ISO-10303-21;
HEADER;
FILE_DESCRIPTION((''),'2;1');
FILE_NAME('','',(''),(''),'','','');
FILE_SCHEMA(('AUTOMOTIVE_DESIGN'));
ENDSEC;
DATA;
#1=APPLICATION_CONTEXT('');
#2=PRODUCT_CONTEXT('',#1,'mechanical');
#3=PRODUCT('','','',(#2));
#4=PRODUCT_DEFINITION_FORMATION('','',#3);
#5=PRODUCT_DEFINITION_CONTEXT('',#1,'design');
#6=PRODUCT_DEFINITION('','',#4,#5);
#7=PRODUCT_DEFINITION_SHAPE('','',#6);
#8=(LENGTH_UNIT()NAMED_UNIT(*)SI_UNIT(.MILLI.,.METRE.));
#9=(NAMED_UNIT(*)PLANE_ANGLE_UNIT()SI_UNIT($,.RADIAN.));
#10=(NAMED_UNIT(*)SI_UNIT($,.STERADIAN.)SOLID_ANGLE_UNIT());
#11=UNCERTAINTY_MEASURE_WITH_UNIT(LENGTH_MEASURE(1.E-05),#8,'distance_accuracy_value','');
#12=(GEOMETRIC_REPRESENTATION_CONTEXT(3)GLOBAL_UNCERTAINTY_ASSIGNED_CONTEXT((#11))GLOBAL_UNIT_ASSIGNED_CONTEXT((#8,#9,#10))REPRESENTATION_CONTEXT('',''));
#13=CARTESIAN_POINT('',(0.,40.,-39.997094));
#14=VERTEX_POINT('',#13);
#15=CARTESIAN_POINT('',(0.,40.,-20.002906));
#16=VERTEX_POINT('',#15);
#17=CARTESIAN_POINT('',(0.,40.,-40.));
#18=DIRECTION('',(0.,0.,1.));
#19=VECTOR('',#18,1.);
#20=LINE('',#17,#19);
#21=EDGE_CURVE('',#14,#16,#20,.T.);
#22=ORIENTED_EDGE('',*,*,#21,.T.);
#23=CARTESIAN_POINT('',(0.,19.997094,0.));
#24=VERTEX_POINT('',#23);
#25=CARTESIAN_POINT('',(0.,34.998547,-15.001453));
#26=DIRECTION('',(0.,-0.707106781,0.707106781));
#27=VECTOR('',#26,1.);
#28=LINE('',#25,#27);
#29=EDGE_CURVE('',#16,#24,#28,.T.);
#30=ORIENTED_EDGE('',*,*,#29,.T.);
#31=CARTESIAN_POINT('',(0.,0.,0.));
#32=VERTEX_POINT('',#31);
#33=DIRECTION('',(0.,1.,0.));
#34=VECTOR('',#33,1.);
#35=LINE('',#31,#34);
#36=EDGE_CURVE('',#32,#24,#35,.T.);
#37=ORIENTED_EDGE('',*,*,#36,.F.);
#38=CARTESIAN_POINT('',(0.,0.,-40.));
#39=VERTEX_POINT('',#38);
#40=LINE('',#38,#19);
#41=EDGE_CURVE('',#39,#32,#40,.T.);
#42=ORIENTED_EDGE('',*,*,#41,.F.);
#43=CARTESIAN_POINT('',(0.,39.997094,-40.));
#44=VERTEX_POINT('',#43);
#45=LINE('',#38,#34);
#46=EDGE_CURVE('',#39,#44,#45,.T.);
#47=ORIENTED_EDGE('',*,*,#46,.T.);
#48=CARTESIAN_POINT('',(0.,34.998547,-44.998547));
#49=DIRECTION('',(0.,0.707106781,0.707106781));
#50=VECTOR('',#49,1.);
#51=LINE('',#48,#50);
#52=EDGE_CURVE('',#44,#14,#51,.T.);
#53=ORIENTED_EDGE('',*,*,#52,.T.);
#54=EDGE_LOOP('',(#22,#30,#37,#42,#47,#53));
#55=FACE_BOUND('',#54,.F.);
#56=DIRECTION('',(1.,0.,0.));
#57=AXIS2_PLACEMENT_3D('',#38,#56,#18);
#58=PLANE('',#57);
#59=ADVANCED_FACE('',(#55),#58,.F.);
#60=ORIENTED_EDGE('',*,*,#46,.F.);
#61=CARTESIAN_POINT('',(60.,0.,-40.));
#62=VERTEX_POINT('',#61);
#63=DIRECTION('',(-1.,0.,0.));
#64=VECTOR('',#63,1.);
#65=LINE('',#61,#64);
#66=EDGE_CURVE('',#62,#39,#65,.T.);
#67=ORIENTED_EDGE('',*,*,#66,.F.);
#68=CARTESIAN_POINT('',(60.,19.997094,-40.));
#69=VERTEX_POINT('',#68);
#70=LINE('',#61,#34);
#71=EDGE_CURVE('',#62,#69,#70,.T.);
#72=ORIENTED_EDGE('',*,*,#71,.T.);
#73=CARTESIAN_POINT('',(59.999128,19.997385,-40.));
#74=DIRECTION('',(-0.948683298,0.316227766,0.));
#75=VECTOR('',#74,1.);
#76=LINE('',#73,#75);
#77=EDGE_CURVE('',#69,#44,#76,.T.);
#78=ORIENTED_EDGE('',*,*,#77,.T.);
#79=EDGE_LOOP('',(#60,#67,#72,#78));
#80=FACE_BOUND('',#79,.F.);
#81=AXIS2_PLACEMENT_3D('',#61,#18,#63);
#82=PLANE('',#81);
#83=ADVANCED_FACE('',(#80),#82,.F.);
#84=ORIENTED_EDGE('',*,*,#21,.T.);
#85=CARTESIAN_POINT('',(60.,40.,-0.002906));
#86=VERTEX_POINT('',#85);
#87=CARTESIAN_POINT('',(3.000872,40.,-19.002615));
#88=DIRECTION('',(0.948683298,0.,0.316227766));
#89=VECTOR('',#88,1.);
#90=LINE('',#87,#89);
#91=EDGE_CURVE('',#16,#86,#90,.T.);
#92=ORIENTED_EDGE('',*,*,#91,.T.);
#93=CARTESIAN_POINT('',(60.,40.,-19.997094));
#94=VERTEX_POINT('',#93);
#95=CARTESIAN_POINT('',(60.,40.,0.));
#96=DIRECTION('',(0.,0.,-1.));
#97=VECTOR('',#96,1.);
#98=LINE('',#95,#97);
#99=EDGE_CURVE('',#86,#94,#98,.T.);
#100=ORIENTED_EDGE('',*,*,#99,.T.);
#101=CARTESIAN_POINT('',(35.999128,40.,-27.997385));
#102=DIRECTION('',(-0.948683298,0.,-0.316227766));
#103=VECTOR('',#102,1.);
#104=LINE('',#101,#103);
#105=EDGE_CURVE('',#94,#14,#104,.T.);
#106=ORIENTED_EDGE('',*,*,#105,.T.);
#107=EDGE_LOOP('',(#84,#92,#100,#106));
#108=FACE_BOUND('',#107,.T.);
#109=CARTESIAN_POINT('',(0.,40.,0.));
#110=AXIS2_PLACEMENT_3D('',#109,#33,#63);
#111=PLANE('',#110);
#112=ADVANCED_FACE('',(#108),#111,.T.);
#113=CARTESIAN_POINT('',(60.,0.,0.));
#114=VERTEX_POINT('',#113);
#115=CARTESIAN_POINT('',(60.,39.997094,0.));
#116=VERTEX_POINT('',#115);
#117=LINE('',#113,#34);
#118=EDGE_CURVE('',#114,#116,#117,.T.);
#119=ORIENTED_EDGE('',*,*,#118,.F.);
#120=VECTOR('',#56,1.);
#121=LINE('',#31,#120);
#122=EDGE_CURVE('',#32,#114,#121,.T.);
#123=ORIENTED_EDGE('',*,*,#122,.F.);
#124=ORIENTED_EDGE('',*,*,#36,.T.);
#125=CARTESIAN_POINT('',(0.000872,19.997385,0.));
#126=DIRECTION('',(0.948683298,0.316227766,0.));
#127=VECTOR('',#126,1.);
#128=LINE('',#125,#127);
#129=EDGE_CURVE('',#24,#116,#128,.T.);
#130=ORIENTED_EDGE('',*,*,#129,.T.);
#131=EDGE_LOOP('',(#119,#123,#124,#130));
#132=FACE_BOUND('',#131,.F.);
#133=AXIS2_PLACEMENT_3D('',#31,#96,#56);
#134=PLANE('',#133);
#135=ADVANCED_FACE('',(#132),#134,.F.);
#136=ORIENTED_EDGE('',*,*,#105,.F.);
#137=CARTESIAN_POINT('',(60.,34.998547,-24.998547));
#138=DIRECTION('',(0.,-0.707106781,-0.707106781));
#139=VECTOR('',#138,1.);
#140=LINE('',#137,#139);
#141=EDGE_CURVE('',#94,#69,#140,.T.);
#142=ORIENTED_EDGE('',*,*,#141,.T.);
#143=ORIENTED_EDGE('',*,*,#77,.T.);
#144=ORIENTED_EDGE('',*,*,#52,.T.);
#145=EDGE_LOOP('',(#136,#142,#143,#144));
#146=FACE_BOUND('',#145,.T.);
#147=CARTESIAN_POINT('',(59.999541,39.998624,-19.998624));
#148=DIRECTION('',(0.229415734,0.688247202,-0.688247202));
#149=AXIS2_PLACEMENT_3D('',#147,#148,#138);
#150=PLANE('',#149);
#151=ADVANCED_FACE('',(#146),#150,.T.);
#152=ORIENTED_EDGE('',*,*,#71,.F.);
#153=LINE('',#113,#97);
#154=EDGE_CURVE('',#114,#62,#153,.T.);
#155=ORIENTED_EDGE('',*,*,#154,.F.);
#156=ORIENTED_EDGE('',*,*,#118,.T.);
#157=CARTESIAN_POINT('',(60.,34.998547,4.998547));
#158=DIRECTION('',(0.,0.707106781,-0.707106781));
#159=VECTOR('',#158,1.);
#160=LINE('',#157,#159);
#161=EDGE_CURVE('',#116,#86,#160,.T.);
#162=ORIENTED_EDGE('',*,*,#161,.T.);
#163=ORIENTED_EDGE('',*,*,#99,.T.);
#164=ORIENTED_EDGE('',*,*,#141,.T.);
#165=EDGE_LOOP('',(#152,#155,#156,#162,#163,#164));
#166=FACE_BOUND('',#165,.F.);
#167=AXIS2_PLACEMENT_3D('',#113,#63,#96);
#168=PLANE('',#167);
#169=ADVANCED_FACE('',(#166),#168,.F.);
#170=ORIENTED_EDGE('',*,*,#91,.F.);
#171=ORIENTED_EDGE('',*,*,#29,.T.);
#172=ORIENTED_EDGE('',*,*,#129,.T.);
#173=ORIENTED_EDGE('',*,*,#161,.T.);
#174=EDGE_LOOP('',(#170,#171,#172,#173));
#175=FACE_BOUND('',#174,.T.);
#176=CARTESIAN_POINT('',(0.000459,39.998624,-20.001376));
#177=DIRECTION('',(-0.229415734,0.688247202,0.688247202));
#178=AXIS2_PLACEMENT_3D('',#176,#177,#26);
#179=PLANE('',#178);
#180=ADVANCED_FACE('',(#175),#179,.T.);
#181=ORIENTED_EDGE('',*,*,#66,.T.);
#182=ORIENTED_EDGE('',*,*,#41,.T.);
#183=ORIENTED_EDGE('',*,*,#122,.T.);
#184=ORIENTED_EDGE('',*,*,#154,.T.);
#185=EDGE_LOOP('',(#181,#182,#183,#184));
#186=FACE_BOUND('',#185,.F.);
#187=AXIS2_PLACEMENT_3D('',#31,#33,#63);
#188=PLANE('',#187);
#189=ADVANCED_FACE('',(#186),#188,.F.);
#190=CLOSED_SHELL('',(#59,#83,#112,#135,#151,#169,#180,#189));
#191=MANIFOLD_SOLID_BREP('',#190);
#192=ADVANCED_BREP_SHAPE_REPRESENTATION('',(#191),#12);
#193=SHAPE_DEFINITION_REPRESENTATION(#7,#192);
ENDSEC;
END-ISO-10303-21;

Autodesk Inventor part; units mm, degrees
ref_plane "YZ Plane" through (0, 0, 0) normal (1, 0, 0) x (0, 1, 0)
ref_plane "XZ Plane" through (0, 0, 0) normal (0, 1, 0) x (-1, 0, 0)
sketch "草圖1" plane through (0, 0, 0) normal (0, 1, 0) x (-1, 0, 0)
  line L0 (0, 0) -> (-60, 0)
  line L1 (-60, 0) -> (-60, -40)
  line L2 (-60, -40) -> (0, -40)
  line L3 (0, -40) -> (0, 0)
  dimension "d0" = 40
  dimension "d1" = 60
extrude "擠出1" add sketch "草圖1" along normal blind 40
sketch "草圖2" plane through (0, 0, -40) normal (-1, 0, 0) x (0, 0, 1)
  line L0 (40, 40) -> (0, 40) projected
  line L1 (20, 40) -> (40, 20)
  line L2 (40, 0) -> (40, 40) projected
  dimension "d4" = 20
  dimension "d5" = 20
ref_plane "工作平面1" through (0, 40, -20) normal (-0.2294, 0.6882, 0.6882) x (0, -0.7071, 0.7071)
sketch "草圖3" plane through (0, 40, -20) normal (-0.2294, 0.6882, 0.6882) x (0, -0.7071, 0.7071)
  line L0 (-6.4039, -15.4846) -> (38.9012, -15.4846)
  line L1 (38.9012, -15.4846) -> (38.9012, 77.4757)
  line L2 (38.9012, 77.4757) -> (-6.4039, 77.4757)
  line L3 (-6.4039, 77.4757) -> (-6.4039, -15.4846)
  point P0 (42.4264, -3.2444)
extrude "擠出2" cut sketch "草圖3" along normal blind 40
ref_plane "工作平面2" through (60, 0, -20) normal (0, 0, -1) x (-1, 0, 0)
ref_plane "工作平面3" through (30, 0, 0) normal (1, 0, 0) x (0, 0, -1)
pattern_circular "環形陣列1" count 2 over 360 about axis through (30, 0, -20) along (0, -1, 0) of "擠出2"
properties part number "14"
